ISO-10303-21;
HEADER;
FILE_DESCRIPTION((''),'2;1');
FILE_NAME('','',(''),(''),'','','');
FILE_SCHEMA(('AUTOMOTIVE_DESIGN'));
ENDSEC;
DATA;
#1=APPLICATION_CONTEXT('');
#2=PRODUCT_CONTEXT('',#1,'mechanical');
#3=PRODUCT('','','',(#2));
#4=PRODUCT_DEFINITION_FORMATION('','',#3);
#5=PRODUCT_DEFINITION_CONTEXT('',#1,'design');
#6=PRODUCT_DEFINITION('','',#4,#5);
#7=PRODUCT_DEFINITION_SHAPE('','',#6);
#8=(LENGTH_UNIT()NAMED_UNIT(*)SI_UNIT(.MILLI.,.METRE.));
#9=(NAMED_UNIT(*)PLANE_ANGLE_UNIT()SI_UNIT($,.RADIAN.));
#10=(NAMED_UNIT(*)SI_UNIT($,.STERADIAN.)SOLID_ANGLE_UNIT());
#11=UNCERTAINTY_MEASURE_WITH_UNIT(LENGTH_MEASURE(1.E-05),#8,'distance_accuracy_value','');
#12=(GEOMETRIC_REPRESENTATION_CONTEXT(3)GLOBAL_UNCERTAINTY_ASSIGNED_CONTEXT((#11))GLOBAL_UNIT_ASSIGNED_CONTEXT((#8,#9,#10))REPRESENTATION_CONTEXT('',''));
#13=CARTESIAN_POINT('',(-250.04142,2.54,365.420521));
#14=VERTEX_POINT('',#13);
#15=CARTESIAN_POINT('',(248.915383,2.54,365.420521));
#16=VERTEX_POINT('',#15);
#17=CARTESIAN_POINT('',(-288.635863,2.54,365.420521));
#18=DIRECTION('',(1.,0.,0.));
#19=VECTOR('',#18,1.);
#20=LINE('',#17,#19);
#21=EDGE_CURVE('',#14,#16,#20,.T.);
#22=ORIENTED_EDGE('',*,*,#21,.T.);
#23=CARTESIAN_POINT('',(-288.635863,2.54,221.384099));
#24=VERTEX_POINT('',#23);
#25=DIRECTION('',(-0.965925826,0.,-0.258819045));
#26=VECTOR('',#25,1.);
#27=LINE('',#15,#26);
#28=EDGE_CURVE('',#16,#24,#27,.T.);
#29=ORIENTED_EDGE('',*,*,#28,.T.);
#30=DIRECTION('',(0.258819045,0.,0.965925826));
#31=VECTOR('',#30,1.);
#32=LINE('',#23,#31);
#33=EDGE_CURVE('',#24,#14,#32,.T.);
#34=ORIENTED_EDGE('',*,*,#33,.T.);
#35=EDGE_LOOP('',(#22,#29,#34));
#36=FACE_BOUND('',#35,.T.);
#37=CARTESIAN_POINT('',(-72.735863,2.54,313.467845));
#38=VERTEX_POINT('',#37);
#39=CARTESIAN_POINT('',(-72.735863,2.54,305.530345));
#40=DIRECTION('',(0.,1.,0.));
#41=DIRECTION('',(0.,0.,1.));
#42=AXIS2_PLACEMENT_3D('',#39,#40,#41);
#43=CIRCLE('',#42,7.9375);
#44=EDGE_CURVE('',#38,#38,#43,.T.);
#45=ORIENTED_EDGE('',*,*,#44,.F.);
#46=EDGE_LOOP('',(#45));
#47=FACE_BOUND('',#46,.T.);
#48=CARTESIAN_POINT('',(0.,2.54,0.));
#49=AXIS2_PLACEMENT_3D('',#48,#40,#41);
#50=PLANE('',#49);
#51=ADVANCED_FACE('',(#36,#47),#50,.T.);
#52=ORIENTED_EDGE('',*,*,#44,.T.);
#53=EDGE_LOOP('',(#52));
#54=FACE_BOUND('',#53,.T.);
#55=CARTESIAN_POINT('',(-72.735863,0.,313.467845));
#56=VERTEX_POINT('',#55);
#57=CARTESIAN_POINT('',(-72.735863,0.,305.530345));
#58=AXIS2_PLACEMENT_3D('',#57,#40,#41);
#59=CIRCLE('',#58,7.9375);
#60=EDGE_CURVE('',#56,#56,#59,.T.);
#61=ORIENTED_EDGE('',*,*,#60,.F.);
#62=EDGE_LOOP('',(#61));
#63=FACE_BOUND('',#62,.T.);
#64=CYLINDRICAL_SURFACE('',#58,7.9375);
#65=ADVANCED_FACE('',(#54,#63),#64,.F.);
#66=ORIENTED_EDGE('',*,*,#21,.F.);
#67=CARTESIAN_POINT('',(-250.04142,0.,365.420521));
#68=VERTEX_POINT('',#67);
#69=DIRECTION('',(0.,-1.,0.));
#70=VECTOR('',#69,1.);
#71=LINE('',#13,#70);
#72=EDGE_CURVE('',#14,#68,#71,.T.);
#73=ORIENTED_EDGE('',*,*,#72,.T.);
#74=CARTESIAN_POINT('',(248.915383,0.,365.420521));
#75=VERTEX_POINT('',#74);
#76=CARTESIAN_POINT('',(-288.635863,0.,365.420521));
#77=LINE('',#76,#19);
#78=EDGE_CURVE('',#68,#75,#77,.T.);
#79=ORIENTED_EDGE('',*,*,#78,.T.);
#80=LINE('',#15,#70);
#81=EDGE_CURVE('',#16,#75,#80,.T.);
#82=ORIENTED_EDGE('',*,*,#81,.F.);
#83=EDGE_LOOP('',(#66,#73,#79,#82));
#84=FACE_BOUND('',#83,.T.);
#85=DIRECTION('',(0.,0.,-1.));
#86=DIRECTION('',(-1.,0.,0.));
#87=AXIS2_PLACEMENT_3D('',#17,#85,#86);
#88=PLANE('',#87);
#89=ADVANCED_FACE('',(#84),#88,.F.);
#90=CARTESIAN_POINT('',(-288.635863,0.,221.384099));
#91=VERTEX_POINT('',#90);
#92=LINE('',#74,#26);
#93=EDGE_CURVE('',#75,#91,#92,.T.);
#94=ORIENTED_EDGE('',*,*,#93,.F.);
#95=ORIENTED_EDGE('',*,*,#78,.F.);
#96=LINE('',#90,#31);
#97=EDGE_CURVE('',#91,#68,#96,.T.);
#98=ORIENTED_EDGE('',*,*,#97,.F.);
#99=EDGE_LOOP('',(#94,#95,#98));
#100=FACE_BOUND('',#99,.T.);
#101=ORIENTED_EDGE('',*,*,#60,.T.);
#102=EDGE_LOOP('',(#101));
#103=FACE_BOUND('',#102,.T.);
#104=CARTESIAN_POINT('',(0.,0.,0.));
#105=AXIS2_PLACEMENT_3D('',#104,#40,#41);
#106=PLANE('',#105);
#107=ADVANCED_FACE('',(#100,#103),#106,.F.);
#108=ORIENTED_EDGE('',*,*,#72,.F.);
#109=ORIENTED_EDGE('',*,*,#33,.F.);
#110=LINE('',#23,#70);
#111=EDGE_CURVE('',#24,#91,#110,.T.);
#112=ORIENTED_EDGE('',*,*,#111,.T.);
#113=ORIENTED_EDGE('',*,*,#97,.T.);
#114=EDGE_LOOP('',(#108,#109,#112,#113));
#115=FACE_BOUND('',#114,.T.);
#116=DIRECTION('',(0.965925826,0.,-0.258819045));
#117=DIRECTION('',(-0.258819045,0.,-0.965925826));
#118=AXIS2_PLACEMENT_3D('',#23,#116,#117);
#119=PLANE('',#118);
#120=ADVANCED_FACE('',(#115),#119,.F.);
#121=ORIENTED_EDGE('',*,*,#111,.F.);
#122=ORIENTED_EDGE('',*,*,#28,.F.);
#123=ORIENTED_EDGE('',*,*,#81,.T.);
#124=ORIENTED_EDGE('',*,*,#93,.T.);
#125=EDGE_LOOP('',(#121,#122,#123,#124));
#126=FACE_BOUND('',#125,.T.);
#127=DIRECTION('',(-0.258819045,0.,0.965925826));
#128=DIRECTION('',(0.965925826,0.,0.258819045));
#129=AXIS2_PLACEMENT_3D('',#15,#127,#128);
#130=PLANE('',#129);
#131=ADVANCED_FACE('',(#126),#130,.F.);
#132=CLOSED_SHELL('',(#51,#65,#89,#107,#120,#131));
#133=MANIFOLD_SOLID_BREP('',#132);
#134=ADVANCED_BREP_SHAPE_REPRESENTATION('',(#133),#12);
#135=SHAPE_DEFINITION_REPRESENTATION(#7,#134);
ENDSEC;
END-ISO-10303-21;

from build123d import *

# Parameters (mm, degrees)
BOSS_EXTRUDE1_DEPTH = 2.54
SKETCH2_R           = 7.9375
CUT_EXTRUDE1_DEPTH  = 2.54
CUT_EXTRUDE2_DEPTH  = 2.54


with BuildPart() as part:
    # Sketch1 → Boss-Extrude1 (new body)
    with BuildSketch(Plane(origin=(0, 0, 0), x_dir=(1, 0, 0), z_dir=(0, 1, 0))):
        Polygon((-288.635862607, -221.384099055), (-288.635862607, -365.420521122), (248.915382685, -365.420521122), align=None)
    extrude(amount=BOSS_EXTRUDE1_DEPTH)

    # Sketch2 → Cut-Extrude1 (cut)
    with BuildSketch(Plane(origin=(0, 2.54, 0), x_dir=(1, 0, 0), z_dir=(0, 1, 0))):
        with Locations((-72.735862607, -305.530344684)):
            Circle(SKETCH2_R)
    extrude(amount=-CUT_EXTRUDE1_DEPTH, mode=Mode.SUBTRACT)

    # Sketch3 → Cut-Extrude2 (cut)
    with BuildSketch(Plane.XZ):
        Polygon((-288.635862607, 221.384099055), (-250.041419634, 365.420521122), (-288.635862607, 365.420521122), align=None)
    extrude(amount=-CUT_EXTRUDE2_DEPTH, mode=Mode.SUBTRACT)


solid = part.part
